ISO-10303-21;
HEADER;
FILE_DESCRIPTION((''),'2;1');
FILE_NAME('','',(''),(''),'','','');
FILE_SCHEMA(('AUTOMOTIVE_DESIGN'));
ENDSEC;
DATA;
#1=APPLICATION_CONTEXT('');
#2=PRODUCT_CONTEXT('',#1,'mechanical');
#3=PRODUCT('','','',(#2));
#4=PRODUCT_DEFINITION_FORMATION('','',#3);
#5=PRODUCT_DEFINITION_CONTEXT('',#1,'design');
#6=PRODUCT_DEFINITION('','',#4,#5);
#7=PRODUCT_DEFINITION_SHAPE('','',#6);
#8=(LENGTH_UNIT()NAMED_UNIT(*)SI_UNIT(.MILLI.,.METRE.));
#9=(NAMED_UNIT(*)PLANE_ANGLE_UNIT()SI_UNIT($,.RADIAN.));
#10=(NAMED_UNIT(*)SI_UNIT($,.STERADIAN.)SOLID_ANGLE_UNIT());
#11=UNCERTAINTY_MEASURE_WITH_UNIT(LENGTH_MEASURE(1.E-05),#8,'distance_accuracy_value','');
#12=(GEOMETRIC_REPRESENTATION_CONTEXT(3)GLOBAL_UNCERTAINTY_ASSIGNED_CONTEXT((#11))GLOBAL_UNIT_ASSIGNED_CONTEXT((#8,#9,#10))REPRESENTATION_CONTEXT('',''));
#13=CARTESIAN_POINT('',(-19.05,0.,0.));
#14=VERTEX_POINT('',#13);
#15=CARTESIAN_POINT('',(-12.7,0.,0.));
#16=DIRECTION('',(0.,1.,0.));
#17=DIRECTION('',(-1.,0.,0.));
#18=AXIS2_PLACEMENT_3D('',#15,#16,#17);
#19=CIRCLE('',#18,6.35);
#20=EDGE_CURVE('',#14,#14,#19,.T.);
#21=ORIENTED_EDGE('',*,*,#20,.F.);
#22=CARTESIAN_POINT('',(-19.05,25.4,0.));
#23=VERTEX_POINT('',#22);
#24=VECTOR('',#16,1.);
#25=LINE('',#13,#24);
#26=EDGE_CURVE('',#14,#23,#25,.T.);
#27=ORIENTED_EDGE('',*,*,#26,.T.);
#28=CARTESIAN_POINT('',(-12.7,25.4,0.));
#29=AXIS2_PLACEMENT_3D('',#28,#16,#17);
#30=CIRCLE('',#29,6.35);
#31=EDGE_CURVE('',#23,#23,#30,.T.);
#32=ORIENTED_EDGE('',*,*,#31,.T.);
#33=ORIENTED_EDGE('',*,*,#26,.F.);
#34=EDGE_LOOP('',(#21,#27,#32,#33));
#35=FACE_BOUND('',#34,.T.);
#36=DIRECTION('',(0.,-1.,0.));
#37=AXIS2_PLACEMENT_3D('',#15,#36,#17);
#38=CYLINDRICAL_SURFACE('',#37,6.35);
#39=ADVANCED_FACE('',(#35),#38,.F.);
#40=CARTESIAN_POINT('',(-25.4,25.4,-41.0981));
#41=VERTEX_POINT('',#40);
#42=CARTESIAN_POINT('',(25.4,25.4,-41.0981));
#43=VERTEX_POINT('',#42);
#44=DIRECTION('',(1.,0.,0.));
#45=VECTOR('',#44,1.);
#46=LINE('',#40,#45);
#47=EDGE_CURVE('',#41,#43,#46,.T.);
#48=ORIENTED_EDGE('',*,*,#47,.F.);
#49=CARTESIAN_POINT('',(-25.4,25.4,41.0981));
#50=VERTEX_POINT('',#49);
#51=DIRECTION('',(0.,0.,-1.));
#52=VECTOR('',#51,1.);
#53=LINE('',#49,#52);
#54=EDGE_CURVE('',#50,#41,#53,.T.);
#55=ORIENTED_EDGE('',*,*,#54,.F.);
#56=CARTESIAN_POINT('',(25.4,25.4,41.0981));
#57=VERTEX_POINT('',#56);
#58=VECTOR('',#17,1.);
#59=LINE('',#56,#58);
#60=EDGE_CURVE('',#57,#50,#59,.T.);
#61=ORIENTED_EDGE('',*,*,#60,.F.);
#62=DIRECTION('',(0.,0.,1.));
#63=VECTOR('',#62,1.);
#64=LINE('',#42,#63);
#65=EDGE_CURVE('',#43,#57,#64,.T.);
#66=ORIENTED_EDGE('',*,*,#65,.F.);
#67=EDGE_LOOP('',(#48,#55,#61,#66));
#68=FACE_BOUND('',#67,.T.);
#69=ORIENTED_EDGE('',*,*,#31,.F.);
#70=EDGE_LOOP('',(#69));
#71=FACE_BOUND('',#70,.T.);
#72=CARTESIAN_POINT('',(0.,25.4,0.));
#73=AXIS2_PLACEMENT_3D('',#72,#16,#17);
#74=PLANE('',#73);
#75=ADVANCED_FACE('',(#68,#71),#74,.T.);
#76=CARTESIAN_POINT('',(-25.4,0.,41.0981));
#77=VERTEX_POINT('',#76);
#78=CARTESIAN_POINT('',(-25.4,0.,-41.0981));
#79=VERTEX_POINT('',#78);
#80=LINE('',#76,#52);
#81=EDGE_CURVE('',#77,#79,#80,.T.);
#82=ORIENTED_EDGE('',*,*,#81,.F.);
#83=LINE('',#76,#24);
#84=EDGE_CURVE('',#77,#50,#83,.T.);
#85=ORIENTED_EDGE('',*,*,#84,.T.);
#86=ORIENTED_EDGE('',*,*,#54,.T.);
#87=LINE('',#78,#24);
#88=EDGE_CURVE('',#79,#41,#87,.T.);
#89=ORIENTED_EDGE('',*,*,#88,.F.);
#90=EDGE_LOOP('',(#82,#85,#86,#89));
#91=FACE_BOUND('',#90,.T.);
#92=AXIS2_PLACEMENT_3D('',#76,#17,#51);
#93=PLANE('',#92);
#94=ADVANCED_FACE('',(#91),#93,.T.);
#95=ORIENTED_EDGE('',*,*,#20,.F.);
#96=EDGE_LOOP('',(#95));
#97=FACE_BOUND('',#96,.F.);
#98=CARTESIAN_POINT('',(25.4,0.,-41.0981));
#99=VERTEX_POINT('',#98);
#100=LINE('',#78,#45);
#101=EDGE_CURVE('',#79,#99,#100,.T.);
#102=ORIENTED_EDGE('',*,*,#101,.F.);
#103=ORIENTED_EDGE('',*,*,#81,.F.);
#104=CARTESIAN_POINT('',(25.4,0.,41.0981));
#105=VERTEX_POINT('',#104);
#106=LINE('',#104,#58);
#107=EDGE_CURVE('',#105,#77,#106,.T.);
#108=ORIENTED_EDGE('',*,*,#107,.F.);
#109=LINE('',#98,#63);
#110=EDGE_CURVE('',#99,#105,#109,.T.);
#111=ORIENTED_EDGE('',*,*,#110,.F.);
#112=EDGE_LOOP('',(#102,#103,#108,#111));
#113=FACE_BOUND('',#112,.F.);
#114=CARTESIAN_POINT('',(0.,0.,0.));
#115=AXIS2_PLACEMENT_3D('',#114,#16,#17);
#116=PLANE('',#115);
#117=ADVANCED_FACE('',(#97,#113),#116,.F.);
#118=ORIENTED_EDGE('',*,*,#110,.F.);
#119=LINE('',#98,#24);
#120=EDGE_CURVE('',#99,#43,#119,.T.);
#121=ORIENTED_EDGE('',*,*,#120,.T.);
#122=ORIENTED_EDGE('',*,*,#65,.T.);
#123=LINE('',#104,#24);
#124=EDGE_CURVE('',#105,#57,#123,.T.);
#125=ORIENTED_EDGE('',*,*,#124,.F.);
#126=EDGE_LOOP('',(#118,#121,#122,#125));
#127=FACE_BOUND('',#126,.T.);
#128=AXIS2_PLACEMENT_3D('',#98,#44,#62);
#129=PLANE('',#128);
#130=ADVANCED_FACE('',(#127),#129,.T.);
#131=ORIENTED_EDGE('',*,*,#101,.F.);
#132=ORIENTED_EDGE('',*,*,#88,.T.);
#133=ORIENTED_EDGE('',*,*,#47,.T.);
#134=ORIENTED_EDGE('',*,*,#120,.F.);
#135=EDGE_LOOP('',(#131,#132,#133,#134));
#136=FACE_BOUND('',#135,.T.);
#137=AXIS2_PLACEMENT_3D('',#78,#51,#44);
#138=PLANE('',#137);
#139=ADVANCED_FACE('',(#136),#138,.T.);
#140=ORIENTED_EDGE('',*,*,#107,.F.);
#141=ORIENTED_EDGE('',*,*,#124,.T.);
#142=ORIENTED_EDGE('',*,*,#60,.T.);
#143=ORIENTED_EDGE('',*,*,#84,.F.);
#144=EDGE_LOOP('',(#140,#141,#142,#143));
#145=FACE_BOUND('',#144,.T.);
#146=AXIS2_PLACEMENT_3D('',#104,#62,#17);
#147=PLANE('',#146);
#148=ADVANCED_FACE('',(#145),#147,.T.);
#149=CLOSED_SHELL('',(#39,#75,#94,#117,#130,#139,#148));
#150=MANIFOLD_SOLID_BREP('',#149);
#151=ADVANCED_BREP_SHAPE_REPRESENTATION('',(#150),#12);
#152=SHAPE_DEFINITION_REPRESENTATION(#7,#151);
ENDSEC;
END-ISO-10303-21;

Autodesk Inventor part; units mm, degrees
ref_plane "YZ Plane" through (0, 0, 0) normal (1, 0, 0) x (0, 1, 0)
ref_plane "XZ Plane" through (0, 0, 0) normal (0, 1, 0) x (-1, 0, 0)
ref_plane "XY Plane" through (0, 0, 0) normal (0, 0, 1) x (1, 0, 0)
sketch "Sketch1" plane through (0, 0, 0) normal (0, 1, 0) x (-1, 0, 0)
  line L0 (-25.4, 41.0981) -> (25.4, 41.0981)
  line L1 (25.4, 41.0981) -> (25.4, -41.0981)
  line L2 (25.4, -41.0981) -> (-25.4, -41.0981)
  line L3 (-25.4, -41.0981) -> (-25.4, 41.0981)
  line L4 (-25.4, 41.0981) -> (25.4, -41.0981) construction
  line L5 (25.4, 41.0981) -> (-25.4, -41.0981) construction
  circle A0 centre (12.7, 0) radius 6.35
  line L6 (0, 0) -> (12.7, 0) construction
  dimension "d0" = 50.8
  dimension "d1" = 82.1961
  dimension "d2" = 12.7
  dimension "d3" = 12.7
extrude "Extrusion1" add sketch "Sketch1" along normal blind 25.4
properties part number "Motor Black Box" material "Stainless Steel"
